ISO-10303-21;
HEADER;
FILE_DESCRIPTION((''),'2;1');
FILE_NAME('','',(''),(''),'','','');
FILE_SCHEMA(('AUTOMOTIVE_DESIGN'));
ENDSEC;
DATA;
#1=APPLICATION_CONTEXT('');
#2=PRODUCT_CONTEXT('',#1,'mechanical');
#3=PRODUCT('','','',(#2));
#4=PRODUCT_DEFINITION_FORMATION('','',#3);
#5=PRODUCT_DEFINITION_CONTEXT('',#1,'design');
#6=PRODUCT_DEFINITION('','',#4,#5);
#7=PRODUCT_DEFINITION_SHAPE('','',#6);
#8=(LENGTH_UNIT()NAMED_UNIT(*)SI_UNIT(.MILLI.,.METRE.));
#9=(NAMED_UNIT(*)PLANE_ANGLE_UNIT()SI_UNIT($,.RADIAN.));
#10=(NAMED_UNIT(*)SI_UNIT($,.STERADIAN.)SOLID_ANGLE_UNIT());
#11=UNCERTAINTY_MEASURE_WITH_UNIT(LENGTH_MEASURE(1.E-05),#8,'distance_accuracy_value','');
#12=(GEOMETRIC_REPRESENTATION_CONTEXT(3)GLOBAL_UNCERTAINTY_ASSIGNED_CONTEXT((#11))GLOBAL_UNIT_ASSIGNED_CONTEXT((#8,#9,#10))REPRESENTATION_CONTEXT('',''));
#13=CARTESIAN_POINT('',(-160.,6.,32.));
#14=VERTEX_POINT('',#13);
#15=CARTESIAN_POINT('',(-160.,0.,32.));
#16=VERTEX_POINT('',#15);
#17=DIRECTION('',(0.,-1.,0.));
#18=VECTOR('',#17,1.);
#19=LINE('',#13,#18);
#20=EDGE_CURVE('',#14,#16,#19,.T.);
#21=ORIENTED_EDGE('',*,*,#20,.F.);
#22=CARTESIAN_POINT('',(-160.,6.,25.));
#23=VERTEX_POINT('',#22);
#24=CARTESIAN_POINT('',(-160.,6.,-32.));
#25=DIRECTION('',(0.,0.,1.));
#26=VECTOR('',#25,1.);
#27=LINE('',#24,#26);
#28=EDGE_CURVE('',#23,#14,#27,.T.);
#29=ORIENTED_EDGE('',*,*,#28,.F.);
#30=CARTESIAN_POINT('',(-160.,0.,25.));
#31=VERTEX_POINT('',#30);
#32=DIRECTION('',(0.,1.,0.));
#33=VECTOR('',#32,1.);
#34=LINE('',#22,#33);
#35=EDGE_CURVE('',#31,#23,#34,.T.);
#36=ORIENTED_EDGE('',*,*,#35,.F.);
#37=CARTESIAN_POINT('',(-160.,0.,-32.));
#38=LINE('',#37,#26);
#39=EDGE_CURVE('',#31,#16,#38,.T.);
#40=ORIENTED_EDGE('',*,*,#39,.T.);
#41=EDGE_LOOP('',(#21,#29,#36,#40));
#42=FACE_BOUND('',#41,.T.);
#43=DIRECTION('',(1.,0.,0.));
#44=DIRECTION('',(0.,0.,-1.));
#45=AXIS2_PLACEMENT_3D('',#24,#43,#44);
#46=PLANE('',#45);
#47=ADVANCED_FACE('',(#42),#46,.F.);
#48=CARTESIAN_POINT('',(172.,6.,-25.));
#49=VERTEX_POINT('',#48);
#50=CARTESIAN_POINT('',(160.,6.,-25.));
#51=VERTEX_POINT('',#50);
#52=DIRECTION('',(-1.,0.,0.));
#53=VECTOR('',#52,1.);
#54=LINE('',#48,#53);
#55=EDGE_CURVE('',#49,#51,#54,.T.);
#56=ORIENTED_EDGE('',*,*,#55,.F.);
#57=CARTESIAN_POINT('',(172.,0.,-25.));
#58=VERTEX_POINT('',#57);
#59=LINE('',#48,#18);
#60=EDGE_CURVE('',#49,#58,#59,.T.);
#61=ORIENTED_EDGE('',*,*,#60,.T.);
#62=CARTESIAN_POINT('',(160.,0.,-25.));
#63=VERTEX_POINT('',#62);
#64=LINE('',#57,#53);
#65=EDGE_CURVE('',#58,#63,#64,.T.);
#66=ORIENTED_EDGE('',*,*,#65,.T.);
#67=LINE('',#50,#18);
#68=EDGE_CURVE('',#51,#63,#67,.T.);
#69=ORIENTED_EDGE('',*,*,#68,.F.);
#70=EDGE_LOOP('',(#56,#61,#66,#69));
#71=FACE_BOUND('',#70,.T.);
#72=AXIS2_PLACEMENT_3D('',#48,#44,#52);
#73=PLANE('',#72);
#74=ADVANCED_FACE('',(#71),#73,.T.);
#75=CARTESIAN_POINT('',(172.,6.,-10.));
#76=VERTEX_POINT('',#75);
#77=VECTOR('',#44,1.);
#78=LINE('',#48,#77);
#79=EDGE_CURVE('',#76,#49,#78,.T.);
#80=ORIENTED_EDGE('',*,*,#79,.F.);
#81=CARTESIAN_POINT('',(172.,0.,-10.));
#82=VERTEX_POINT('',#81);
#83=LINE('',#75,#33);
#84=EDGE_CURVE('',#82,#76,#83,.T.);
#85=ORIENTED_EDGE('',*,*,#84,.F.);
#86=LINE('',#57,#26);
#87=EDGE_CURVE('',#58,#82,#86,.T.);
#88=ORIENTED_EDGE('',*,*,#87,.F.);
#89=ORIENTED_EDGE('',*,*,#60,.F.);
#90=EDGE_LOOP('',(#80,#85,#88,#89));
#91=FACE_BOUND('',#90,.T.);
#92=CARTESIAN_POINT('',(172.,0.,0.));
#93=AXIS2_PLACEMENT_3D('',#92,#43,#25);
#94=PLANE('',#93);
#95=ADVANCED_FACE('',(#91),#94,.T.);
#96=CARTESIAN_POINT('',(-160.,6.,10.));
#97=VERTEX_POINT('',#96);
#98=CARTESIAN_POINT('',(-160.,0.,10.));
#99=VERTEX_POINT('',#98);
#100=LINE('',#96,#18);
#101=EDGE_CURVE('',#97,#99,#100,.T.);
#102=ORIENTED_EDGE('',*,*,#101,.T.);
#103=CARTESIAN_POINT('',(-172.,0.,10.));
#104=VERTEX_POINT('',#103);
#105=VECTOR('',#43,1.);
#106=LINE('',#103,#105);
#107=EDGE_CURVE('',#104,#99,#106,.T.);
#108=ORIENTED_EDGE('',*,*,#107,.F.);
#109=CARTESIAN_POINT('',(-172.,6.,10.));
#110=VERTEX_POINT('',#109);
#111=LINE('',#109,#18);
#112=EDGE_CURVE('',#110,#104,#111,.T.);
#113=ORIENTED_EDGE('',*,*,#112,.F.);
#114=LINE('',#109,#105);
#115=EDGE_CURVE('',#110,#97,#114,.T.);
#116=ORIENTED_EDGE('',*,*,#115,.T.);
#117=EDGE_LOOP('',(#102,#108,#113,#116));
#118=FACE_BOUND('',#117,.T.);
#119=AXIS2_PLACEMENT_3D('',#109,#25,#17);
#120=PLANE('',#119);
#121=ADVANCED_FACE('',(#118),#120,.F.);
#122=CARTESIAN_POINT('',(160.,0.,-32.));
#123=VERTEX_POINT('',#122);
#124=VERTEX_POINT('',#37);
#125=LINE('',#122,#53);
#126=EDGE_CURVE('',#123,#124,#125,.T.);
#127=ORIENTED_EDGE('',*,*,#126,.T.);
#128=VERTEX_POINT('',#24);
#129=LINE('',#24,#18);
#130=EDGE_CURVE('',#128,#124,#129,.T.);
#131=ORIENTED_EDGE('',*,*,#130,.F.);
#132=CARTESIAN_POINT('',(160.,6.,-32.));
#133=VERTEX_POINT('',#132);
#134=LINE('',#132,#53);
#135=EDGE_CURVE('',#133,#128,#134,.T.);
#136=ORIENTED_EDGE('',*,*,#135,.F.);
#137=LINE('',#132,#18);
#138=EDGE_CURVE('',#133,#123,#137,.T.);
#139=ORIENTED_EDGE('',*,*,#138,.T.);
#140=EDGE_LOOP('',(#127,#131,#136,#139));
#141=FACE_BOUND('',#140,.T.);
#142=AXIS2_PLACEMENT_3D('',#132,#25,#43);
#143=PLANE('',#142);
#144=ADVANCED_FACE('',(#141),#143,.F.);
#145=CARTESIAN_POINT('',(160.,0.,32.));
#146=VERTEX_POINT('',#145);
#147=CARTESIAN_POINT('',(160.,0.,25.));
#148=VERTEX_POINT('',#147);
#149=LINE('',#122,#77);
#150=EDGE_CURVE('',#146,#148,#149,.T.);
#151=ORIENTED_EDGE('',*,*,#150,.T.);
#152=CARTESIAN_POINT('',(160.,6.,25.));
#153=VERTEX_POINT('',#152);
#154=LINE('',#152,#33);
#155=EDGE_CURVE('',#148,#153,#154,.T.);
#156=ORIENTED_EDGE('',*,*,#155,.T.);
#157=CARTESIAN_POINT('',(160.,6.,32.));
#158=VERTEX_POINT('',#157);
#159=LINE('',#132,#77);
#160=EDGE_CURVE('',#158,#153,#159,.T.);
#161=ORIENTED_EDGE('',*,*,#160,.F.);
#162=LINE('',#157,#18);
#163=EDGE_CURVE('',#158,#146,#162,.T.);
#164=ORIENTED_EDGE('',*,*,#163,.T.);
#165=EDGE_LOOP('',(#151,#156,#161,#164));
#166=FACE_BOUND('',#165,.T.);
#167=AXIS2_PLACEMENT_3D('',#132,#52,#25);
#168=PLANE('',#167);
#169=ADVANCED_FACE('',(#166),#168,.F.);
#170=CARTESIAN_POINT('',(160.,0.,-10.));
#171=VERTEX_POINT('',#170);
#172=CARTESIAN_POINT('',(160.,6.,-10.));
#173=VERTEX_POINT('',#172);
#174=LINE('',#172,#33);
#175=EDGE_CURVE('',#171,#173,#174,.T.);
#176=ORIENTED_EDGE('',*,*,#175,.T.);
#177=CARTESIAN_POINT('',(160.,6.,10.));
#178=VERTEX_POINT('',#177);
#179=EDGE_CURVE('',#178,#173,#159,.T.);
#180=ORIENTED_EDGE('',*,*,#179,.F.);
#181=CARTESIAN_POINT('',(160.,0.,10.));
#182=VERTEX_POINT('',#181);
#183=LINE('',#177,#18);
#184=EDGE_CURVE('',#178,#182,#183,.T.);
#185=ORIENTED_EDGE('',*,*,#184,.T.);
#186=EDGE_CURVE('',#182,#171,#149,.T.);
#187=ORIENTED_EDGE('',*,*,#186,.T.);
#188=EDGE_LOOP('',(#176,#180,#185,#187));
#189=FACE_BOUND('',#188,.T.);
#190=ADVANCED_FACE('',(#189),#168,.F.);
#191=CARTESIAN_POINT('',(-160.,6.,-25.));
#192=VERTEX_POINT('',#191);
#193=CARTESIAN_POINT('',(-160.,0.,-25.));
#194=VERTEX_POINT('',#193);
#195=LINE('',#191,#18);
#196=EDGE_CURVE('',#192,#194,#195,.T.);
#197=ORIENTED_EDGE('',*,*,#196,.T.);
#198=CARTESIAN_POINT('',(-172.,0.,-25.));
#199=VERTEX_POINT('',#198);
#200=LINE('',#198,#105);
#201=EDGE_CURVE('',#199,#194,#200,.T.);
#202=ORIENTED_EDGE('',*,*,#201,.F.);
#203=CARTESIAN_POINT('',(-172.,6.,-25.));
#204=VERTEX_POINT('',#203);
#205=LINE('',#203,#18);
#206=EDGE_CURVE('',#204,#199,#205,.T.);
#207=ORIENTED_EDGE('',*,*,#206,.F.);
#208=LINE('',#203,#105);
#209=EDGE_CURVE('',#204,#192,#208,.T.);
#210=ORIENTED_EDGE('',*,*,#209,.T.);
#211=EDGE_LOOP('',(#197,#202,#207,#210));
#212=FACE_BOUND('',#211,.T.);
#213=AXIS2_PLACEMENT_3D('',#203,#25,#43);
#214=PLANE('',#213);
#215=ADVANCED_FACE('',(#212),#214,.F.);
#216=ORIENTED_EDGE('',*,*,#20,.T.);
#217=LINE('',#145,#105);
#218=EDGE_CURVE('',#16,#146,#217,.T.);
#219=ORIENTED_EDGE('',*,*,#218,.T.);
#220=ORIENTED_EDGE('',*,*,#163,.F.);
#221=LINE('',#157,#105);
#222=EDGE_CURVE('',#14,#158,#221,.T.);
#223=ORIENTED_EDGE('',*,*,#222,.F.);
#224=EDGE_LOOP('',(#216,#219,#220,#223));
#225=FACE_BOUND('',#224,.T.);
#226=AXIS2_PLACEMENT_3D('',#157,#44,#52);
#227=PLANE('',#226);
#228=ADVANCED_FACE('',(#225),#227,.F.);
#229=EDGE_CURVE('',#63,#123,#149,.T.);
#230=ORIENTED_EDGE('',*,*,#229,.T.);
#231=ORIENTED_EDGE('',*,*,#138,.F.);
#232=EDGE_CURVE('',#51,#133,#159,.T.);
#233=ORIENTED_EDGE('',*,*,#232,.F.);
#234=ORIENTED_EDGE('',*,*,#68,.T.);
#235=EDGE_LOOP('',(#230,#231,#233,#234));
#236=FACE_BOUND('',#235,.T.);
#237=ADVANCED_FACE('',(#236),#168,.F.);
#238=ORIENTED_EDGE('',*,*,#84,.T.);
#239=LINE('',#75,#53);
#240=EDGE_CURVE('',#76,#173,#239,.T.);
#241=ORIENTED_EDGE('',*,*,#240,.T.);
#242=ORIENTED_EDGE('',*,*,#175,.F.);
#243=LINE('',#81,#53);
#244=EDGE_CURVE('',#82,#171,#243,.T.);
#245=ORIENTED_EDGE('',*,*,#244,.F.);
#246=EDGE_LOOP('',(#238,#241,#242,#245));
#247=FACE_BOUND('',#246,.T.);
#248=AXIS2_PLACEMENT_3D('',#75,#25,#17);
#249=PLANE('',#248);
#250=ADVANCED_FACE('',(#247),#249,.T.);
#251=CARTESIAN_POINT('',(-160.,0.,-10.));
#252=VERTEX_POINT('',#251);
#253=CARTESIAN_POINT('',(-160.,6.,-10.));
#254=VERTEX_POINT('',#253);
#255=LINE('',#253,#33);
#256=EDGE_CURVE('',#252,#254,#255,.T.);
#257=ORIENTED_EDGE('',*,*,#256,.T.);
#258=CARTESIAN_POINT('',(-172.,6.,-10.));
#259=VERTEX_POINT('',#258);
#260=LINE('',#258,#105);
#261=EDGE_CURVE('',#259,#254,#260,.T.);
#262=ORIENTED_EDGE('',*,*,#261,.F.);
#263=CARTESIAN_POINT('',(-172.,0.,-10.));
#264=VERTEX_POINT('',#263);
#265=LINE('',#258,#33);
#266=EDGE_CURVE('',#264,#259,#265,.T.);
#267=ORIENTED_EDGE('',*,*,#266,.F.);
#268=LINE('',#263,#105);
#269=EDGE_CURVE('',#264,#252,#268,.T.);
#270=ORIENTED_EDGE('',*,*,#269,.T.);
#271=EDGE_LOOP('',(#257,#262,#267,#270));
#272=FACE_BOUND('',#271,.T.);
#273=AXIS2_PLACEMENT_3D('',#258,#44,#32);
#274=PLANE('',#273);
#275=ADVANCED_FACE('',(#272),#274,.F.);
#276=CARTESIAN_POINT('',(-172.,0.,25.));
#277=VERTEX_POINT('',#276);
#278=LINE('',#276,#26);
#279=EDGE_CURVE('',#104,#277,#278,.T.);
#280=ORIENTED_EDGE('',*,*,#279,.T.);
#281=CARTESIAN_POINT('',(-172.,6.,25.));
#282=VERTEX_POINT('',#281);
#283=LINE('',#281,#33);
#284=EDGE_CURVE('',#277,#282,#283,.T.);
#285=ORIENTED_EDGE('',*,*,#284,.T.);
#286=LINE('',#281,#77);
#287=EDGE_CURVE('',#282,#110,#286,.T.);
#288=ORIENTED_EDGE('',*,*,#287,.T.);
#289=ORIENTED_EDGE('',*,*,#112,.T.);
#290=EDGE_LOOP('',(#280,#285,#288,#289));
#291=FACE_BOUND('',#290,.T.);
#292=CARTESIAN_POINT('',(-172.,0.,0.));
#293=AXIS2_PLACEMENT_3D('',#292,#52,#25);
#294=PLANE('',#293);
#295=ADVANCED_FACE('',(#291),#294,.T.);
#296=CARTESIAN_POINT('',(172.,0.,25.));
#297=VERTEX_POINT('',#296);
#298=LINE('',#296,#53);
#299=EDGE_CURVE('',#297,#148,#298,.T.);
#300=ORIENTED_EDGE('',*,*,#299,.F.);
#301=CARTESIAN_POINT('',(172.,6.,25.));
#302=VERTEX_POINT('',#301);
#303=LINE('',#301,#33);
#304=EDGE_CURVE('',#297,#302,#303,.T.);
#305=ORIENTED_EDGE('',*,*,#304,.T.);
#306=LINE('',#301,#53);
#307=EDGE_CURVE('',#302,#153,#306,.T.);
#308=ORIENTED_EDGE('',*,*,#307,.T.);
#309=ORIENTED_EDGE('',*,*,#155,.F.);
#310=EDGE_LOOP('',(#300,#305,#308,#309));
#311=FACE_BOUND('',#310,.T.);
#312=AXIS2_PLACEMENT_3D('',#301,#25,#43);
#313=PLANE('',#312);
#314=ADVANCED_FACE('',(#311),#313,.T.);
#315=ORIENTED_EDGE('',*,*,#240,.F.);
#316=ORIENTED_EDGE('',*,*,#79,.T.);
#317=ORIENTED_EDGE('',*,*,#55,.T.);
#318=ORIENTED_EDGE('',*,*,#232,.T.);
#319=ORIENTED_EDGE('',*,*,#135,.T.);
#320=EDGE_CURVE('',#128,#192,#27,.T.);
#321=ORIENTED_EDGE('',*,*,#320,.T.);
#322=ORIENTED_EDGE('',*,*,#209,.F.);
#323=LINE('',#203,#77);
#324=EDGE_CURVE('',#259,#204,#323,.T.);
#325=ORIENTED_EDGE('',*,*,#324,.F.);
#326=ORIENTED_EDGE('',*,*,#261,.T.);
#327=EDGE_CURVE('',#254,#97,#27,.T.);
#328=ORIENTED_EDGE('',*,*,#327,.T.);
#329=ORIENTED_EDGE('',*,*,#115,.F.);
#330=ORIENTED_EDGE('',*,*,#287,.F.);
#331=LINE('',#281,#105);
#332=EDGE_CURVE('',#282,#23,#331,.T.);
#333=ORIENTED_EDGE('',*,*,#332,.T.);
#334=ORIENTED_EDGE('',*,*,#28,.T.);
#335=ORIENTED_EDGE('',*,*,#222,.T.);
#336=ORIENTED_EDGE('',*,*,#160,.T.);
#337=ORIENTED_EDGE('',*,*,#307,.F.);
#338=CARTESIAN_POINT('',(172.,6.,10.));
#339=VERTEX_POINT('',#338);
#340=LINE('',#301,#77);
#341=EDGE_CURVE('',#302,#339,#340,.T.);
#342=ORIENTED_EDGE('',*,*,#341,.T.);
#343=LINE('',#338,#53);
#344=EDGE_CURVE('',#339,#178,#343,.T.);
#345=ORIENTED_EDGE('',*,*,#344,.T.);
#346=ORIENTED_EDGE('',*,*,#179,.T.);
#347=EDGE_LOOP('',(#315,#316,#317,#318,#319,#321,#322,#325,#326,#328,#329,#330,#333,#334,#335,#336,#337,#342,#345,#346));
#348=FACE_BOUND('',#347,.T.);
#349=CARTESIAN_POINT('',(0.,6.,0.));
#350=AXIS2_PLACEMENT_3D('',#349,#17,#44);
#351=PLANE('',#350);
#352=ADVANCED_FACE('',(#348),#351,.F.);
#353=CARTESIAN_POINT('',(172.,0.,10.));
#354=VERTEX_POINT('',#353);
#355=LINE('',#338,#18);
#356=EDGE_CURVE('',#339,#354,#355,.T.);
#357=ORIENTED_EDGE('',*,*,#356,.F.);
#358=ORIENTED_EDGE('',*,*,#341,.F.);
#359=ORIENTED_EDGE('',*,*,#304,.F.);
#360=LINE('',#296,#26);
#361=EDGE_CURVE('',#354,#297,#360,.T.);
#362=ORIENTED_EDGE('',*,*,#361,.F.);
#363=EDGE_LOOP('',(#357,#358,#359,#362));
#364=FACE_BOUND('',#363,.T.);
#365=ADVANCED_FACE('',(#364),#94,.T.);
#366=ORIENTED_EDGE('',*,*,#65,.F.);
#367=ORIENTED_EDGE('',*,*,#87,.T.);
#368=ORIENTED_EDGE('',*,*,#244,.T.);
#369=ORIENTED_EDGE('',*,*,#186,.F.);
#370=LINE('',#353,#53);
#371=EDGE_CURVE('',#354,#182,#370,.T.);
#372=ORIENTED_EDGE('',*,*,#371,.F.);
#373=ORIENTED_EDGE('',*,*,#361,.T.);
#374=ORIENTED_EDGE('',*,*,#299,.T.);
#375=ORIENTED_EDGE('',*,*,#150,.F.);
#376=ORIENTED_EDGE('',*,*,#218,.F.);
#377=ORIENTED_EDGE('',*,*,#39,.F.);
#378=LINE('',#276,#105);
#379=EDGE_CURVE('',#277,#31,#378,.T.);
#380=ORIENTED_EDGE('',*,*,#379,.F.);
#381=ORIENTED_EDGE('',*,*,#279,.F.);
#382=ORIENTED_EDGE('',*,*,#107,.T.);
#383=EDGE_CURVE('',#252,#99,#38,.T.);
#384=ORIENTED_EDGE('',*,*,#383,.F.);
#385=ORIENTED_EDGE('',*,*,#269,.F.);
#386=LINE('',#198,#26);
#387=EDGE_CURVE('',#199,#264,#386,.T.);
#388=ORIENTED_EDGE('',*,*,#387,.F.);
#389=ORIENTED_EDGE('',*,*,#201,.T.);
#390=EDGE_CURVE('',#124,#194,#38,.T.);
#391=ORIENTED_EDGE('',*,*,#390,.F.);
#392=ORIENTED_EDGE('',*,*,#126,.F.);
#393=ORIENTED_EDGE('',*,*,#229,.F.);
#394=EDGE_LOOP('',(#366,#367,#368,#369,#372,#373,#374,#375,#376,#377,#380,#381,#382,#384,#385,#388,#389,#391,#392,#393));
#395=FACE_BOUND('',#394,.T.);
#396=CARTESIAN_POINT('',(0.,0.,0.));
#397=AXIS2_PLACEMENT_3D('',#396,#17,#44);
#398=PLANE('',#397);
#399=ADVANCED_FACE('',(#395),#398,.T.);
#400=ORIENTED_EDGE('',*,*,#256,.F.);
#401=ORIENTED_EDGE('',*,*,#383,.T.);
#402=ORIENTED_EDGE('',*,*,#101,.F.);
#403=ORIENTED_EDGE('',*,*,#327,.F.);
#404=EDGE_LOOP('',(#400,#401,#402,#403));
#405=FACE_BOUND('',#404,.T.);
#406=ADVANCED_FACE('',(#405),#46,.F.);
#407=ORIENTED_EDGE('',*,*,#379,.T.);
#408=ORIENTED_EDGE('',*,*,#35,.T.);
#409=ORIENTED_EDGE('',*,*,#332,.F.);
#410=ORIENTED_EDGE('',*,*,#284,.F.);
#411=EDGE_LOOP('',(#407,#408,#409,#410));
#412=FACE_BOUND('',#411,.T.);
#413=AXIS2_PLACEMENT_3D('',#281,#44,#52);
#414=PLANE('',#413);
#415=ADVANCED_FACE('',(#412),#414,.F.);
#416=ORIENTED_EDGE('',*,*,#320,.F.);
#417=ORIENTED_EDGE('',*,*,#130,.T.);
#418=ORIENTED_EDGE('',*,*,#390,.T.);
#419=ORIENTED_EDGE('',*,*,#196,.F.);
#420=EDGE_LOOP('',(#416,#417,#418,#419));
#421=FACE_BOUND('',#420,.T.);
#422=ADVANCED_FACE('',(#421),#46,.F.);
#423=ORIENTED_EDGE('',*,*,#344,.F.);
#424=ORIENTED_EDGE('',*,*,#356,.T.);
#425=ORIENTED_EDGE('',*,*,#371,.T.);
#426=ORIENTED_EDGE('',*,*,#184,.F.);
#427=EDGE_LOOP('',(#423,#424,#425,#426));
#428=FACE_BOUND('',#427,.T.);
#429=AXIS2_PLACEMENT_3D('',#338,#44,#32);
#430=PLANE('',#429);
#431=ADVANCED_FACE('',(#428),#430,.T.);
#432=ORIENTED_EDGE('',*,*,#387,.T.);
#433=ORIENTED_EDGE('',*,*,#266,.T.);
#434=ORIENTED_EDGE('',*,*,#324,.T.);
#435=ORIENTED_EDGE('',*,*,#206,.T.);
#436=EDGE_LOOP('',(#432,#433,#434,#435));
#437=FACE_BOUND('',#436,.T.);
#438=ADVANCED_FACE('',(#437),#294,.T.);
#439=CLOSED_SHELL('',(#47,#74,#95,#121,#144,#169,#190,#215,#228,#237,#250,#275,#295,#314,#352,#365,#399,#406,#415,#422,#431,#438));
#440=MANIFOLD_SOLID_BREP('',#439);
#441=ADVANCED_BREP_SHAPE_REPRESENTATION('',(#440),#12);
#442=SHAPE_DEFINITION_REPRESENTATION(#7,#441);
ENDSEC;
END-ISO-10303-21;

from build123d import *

# Parameters (mm, degrees)
SKIZZE1_W                       = 320
SKIZZE1_H                       = 64
GRUNDFORM_DEPTH                 = 6
SKIZZE3_W                       = 15
SKIZZE3_H                       = 6
AUFSATZ_LINEAR_AUSTRAGEN2_DEPTH = 12


with BuildPart() as part:
    # Skizze1 → Grundform (new body)
    with BuildSketch(Plane(origin=(0, 0, 0), x_dir=(1, 0, 0), z_dir=(0, 1, 0))):
        Rectangle(SKIZZE1_W, SKIZZE1_H)
    extrude(amount=GRUNDFORM_DEPTH)

    # Skizze3 → Aufsatz-Linear austragen2 (add)
    with BuildSketch(Plane.ZY.offset(160)):
        with Locations((-17.5, 3)):
            Rectangle(SKIZZE3_W, SKIZZE3_H)
        with Locations((17.5, 3)):
            Rectangle(SKIZZE3_W, SKIZZE3_H)
    aufsatz_linear_austragen2 = extrude(amount=AUFSATZ_LINEAR_AUSTRAGEN2_DEPTH)

    # Spiegeln1: Aufsatz-Linear austragen2 across plane
    add(aufsatz_linear_austragen2.mirror(Plane(origin=(0, 0, 0), x_dir=(0, 0, 1), z_dir=(1, 0, 0))))


solid = part.part
